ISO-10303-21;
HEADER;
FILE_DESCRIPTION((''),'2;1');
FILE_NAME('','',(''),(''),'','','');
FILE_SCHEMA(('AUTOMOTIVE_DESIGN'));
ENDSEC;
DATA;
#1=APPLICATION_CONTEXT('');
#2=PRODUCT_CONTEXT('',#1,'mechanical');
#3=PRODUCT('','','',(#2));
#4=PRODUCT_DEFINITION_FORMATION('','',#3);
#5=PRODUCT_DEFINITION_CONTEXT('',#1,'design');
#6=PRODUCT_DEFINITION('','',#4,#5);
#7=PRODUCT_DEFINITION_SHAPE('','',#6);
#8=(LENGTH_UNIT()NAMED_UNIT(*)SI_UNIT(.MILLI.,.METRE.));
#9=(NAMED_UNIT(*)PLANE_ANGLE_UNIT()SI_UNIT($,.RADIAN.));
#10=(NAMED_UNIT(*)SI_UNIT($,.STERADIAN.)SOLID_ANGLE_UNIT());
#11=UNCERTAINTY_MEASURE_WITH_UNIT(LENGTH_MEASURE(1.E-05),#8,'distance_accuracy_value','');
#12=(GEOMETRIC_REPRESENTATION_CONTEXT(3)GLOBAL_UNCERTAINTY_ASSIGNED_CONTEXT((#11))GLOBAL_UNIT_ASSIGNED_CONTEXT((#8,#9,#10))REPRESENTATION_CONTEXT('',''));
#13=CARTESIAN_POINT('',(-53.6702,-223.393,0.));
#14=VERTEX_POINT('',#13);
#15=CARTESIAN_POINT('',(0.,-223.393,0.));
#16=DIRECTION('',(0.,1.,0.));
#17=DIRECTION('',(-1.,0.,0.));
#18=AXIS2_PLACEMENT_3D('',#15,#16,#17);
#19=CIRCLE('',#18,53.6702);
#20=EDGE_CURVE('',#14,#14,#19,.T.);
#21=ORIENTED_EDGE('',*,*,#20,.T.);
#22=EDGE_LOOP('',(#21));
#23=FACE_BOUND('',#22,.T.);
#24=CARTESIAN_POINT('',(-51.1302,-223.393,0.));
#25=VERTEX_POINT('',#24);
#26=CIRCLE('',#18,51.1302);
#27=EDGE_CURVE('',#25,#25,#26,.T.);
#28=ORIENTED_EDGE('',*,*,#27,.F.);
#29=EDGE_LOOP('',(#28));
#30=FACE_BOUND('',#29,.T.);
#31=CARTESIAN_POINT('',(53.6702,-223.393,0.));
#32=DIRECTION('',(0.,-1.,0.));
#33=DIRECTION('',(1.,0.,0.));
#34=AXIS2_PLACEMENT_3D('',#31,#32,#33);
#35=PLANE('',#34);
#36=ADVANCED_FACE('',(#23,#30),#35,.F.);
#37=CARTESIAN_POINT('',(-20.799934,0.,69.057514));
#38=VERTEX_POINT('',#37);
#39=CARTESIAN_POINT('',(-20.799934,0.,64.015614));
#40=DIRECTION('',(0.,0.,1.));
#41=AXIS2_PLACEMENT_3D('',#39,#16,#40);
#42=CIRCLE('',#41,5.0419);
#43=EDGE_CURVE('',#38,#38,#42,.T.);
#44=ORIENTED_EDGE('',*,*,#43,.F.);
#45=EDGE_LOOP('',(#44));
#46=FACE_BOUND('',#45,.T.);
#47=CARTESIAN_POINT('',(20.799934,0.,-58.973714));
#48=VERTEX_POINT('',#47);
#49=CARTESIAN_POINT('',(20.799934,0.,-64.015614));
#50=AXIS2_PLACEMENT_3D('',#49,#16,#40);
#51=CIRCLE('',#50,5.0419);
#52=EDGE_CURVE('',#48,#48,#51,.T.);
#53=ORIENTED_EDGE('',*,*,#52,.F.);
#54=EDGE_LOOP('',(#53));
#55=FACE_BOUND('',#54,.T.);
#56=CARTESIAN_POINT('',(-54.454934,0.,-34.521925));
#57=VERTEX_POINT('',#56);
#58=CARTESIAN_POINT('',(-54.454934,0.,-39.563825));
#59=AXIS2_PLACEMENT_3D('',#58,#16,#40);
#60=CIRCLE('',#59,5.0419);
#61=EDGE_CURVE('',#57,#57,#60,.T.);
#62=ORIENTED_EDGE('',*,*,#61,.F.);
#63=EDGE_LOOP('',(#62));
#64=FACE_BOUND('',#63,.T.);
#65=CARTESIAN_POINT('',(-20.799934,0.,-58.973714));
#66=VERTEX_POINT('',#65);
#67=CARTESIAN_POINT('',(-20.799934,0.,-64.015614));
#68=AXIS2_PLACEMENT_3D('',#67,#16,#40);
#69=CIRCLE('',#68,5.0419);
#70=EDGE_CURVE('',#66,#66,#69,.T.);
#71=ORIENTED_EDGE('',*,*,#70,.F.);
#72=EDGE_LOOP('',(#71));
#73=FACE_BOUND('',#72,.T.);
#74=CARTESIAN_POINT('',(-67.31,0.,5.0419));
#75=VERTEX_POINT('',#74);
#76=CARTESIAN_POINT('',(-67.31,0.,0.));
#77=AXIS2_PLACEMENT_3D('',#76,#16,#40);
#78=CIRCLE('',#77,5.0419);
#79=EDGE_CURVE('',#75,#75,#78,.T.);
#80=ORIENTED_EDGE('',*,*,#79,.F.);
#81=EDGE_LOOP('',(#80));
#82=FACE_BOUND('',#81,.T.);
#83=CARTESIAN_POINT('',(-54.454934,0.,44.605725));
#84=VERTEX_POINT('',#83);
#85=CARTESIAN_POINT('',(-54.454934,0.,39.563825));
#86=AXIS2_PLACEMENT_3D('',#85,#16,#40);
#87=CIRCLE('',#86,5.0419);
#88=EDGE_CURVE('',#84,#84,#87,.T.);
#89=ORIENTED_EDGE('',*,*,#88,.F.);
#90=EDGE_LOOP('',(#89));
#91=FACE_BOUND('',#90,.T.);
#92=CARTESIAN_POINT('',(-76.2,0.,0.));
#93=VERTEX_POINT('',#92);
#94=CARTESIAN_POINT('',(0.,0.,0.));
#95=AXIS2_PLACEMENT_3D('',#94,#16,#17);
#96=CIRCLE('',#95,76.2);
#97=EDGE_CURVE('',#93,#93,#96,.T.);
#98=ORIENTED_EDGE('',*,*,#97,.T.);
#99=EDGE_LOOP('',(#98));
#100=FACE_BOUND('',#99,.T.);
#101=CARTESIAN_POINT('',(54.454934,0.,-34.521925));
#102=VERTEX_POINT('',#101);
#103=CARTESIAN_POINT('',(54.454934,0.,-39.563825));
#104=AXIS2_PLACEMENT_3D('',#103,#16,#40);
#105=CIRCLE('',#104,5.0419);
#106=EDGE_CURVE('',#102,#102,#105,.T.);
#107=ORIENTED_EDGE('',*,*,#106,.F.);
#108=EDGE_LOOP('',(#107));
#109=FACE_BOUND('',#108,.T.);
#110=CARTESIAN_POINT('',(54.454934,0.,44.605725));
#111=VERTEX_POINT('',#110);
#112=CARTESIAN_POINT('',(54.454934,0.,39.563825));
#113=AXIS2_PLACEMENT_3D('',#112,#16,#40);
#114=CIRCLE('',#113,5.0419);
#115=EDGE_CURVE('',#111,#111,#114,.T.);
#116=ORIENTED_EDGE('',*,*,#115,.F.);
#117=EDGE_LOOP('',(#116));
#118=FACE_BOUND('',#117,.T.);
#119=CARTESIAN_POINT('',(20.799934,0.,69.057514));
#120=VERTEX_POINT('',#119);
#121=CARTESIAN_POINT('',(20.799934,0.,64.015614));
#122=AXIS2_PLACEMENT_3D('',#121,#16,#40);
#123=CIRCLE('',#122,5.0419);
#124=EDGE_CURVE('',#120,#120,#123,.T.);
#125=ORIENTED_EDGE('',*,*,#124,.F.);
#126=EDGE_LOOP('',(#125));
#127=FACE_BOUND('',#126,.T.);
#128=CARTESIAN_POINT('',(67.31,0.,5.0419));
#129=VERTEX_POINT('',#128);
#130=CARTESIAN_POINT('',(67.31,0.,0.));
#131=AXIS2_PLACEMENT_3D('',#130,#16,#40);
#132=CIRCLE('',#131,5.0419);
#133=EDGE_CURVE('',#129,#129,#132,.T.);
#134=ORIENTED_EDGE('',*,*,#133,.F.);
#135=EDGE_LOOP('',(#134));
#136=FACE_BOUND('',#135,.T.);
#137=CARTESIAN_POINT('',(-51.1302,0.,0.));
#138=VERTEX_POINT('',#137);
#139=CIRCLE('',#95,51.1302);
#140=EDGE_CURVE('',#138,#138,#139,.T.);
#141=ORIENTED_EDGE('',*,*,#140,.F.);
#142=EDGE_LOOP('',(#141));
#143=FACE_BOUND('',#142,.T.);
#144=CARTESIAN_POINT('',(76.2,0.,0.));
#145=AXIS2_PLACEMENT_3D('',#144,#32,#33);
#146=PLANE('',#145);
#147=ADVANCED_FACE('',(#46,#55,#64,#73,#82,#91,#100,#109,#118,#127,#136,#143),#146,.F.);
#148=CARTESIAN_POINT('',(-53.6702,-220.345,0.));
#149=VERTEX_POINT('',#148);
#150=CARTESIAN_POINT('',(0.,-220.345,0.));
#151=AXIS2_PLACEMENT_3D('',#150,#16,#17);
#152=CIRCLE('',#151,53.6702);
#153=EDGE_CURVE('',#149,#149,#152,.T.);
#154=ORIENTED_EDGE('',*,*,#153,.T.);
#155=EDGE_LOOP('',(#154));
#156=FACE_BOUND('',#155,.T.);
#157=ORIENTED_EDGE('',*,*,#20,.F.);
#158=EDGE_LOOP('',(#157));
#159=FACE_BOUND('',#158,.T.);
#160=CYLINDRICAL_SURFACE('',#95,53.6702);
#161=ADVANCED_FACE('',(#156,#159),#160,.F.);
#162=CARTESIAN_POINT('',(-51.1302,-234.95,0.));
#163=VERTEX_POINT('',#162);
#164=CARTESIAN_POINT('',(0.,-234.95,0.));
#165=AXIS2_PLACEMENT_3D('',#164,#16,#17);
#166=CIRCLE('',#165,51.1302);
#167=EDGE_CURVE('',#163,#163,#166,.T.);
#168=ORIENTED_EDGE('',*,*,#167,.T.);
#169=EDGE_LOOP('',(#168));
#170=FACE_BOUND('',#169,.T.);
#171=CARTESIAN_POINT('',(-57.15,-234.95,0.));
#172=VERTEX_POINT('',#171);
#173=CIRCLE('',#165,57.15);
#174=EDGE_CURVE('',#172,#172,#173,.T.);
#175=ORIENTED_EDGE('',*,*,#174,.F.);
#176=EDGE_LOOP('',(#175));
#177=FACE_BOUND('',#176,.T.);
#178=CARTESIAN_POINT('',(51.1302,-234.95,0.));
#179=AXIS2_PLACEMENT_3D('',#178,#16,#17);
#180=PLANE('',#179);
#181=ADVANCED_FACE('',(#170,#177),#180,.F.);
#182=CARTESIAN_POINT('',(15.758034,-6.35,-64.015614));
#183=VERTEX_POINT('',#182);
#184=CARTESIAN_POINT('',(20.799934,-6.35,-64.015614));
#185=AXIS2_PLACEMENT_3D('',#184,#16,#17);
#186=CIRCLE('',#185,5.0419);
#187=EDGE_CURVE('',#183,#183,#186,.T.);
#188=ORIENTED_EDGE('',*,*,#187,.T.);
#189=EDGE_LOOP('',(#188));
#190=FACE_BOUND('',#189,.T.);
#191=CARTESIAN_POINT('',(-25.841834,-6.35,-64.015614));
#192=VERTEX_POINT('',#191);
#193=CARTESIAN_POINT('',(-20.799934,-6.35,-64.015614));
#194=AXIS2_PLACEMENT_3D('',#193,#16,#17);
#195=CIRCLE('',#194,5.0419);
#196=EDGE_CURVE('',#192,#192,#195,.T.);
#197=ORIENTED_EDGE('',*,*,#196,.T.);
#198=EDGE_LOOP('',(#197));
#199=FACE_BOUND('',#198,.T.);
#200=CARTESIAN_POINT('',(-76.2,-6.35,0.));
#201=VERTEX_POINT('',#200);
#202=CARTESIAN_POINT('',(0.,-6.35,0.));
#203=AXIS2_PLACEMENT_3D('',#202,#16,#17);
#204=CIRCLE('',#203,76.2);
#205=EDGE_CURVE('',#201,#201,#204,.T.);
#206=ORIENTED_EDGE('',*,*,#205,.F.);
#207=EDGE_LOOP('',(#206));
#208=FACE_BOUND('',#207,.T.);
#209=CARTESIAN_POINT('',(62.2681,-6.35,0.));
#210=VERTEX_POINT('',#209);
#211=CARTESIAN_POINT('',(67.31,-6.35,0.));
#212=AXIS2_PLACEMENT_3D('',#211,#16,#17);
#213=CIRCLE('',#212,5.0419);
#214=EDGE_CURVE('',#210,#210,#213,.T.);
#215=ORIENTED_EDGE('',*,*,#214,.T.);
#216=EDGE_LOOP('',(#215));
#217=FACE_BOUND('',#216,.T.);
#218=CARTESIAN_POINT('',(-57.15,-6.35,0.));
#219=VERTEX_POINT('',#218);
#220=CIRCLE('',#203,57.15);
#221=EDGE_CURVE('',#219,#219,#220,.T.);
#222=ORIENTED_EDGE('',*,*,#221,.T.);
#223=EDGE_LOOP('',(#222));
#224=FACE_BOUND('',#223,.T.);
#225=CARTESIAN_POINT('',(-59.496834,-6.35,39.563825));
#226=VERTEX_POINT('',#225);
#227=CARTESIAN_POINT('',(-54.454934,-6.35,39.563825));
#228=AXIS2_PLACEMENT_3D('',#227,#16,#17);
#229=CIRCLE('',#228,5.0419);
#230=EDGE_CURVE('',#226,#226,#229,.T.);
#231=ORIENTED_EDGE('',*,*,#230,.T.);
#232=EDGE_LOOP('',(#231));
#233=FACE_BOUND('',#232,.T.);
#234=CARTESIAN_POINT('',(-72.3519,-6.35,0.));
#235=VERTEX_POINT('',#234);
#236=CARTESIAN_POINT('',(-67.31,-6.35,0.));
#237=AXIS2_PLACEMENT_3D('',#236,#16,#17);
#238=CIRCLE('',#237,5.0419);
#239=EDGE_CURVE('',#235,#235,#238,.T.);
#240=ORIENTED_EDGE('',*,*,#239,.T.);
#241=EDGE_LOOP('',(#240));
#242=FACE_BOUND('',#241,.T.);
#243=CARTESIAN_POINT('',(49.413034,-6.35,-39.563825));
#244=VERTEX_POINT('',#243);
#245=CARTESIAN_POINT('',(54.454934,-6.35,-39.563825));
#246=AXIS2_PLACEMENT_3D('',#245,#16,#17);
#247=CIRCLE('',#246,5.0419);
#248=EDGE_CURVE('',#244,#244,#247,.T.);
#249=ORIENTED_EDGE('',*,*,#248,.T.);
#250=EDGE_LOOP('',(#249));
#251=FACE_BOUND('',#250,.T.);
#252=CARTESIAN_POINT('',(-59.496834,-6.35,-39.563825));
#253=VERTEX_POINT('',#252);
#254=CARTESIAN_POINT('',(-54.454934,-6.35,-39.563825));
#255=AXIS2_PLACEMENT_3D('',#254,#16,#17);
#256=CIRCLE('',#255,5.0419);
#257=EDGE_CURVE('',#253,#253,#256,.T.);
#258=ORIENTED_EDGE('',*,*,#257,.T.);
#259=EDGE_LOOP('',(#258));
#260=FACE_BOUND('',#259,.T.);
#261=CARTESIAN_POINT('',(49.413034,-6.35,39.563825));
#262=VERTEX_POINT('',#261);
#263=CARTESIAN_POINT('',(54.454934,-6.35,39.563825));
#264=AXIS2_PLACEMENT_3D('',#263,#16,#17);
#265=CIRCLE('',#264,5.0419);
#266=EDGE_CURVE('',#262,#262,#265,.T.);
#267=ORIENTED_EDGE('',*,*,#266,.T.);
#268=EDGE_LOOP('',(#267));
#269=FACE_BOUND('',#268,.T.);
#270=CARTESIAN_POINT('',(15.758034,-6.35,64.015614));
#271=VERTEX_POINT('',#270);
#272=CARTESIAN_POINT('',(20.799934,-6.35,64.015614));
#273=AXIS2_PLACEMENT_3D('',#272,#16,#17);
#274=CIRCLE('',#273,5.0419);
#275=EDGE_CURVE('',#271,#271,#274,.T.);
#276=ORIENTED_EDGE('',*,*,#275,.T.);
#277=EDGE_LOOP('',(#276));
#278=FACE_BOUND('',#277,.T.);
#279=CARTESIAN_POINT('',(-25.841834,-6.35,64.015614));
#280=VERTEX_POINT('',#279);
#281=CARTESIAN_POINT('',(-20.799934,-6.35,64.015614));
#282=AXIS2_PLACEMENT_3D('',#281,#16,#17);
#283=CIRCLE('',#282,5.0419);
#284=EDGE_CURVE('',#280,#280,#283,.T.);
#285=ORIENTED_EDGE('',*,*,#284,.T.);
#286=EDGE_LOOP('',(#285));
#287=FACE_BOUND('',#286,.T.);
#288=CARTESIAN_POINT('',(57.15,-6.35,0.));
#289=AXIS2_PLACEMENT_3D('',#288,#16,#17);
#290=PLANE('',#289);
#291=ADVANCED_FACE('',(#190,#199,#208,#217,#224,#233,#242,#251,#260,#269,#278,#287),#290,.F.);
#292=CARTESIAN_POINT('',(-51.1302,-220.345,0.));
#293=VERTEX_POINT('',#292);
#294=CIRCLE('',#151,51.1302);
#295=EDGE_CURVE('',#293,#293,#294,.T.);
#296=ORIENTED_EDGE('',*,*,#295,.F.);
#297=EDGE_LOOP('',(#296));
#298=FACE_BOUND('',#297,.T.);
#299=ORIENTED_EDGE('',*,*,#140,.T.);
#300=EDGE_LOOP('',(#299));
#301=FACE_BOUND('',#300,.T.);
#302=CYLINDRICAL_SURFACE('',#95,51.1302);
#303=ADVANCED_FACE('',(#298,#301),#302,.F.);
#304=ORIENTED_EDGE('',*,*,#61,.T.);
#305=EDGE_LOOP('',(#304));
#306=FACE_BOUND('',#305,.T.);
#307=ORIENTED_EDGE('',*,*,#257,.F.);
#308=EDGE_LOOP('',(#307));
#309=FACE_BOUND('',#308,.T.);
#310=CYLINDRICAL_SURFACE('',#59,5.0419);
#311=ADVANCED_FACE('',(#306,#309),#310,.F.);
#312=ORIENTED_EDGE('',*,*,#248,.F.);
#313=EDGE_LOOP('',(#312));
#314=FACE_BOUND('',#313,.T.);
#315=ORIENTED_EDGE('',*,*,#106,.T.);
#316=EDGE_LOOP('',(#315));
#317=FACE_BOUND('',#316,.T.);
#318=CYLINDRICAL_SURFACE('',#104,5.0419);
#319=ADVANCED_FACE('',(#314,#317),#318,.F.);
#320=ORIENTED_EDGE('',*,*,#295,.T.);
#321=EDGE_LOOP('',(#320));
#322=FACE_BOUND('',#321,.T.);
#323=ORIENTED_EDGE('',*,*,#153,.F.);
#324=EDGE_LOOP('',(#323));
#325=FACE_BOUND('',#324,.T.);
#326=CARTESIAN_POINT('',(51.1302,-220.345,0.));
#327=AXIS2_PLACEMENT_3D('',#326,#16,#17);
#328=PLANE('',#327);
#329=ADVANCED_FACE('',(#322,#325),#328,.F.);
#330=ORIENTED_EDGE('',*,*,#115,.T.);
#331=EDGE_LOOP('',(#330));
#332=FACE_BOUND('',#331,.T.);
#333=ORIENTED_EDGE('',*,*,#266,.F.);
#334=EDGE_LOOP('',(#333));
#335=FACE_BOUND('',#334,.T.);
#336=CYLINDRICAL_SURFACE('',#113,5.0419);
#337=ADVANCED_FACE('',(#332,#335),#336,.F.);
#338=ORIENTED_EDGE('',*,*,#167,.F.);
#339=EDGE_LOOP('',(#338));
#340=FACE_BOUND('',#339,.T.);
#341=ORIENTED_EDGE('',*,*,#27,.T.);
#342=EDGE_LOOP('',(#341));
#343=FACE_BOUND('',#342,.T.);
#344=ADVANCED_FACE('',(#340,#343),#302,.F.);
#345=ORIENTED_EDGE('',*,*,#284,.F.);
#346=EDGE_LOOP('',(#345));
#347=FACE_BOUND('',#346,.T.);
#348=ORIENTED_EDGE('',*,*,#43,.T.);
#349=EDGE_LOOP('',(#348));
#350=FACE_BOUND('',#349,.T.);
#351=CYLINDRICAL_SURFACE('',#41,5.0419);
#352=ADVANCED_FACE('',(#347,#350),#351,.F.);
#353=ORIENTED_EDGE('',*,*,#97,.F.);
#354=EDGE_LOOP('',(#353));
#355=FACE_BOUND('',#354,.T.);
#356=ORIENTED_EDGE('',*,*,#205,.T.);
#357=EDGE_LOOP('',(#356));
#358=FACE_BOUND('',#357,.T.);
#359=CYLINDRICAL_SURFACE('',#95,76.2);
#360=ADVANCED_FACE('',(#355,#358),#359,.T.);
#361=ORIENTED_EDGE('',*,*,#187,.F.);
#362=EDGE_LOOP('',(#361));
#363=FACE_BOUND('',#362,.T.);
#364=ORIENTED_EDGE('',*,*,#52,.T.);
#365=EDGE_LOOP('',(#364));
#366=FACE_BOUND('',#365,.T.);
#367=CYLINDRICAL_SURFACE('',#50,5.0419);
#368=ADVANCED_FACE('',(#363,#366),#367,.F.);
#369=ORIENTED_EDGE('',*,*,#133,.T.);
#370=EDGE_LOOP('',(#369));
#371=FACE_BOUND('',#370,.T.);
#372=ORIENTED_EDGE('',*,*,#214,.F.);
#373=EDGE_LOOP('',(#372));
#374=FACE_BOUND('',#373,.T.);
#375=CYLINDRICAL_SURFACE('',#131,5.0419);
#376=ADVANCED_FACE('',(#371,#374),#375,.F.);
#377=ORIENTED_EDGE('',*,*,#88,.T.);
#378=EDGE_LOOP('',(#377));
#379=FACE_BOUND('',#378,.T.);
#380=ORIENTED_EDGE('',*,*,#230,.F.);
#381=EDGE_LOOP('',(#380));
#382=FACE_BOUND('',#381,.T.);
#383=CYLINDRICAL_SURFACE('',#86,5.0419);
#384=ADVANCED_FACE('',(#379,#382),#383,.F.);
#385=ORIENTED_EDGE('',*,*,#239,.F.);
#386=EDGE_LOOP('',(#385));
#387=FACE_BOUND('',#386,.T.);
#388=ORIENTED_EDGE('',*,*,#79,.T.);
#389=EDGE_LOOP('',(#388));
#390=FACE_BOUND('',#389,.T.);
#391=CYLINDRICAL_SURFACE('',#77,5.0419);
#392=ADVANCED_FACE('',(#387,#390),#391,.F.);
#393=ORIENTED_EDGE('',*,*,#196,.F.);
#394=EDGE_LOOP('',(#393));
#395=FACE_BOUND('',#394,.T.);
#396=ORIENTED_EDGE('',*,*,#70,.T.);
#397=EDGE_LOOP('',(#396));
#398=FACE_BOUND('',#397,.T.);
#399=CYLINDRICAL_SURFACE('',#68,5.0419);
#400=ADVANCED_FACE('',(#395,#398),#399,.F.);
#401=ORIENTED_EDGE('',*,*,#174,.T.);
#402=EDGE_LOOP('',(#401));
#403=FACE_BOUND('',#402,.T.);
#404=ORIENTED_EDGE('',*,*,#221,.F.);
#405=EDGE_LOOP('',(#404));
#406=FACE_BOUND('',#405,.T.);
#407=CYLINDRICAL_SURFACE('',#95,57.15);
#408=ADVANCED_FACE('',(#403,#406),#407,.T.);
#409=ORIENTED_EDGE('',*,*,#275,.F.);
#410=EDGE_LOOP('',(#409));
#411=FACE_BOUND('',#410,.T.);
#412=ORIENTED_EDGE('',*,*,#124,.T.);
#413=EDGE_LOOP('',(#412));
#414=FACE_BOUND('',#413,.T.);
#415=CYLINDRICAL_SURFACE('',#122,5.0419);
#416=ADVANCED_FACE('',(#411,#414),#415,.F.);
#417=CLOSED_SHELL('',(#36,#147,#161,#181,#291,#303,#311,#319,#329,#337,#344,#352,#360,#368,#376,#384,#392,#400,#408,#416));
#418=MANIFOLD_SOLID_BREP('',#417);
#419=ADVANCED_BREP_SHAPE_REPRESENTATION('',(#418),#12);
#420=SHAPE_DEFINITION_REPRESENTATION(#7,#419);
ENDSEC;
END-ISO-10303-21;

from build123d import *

# Parameters (mm, degrees)
TAP_DRILL_FOR_3_8_16_TAP1_D = 10.0838
CIRPATTERN1_COUNT           = 10


with BuildPart() as part:
    # Sketch1 → Revolve1 (revolve)
    with BuildSketch(Plane.XY, mode=Mode.PRIVATE) as revolve1_sk:
        Polygon((51.1302, 0), (51.1302, -220.345), (53.6702, -220.345), (53.6702, -223.393), (51.1302, -223.393), (51.1302, -234.95), (57.15, -234.95), (57.15, -6.35), (76.2, -6.35), (76.2, 0), align=None)
    revolve(revolve1_sk.sketch.rotate(Axis((0, 0, 0), (0, -1, 0)), 180), axis=Axis((0, 0, 0), (0, -1, 0)))

    # Tap Drill for 3/8-16 Tap1 (through all)
    with Locations(Plane(origin=(0, 0, 0), x_dir=(1, 0, 0), z_dir=(0, 1, 0))):
        with Locations((67.31, 0)):
            tap_drill_for_3_8_16_tap1 = Hole(TAP_DRILL_FOR_3_8_16_TAP1_D / 2)

    # CirPattern1: Tap Drill for 3/8-16 Tap1 ×10 about axis
    cirpattern1_axis = Axis((0, 0, 0), (0, 1, 0))
    for i in range(1, CIRPATTERN1_COUNT):
        add(tap_drill_for_3_8_16_tap1.rotate(cirpattern1_axis, i * 360 / CIRPATTERN1_COUNT), mode=Mode.SUBTRACT)


solid = part.part
